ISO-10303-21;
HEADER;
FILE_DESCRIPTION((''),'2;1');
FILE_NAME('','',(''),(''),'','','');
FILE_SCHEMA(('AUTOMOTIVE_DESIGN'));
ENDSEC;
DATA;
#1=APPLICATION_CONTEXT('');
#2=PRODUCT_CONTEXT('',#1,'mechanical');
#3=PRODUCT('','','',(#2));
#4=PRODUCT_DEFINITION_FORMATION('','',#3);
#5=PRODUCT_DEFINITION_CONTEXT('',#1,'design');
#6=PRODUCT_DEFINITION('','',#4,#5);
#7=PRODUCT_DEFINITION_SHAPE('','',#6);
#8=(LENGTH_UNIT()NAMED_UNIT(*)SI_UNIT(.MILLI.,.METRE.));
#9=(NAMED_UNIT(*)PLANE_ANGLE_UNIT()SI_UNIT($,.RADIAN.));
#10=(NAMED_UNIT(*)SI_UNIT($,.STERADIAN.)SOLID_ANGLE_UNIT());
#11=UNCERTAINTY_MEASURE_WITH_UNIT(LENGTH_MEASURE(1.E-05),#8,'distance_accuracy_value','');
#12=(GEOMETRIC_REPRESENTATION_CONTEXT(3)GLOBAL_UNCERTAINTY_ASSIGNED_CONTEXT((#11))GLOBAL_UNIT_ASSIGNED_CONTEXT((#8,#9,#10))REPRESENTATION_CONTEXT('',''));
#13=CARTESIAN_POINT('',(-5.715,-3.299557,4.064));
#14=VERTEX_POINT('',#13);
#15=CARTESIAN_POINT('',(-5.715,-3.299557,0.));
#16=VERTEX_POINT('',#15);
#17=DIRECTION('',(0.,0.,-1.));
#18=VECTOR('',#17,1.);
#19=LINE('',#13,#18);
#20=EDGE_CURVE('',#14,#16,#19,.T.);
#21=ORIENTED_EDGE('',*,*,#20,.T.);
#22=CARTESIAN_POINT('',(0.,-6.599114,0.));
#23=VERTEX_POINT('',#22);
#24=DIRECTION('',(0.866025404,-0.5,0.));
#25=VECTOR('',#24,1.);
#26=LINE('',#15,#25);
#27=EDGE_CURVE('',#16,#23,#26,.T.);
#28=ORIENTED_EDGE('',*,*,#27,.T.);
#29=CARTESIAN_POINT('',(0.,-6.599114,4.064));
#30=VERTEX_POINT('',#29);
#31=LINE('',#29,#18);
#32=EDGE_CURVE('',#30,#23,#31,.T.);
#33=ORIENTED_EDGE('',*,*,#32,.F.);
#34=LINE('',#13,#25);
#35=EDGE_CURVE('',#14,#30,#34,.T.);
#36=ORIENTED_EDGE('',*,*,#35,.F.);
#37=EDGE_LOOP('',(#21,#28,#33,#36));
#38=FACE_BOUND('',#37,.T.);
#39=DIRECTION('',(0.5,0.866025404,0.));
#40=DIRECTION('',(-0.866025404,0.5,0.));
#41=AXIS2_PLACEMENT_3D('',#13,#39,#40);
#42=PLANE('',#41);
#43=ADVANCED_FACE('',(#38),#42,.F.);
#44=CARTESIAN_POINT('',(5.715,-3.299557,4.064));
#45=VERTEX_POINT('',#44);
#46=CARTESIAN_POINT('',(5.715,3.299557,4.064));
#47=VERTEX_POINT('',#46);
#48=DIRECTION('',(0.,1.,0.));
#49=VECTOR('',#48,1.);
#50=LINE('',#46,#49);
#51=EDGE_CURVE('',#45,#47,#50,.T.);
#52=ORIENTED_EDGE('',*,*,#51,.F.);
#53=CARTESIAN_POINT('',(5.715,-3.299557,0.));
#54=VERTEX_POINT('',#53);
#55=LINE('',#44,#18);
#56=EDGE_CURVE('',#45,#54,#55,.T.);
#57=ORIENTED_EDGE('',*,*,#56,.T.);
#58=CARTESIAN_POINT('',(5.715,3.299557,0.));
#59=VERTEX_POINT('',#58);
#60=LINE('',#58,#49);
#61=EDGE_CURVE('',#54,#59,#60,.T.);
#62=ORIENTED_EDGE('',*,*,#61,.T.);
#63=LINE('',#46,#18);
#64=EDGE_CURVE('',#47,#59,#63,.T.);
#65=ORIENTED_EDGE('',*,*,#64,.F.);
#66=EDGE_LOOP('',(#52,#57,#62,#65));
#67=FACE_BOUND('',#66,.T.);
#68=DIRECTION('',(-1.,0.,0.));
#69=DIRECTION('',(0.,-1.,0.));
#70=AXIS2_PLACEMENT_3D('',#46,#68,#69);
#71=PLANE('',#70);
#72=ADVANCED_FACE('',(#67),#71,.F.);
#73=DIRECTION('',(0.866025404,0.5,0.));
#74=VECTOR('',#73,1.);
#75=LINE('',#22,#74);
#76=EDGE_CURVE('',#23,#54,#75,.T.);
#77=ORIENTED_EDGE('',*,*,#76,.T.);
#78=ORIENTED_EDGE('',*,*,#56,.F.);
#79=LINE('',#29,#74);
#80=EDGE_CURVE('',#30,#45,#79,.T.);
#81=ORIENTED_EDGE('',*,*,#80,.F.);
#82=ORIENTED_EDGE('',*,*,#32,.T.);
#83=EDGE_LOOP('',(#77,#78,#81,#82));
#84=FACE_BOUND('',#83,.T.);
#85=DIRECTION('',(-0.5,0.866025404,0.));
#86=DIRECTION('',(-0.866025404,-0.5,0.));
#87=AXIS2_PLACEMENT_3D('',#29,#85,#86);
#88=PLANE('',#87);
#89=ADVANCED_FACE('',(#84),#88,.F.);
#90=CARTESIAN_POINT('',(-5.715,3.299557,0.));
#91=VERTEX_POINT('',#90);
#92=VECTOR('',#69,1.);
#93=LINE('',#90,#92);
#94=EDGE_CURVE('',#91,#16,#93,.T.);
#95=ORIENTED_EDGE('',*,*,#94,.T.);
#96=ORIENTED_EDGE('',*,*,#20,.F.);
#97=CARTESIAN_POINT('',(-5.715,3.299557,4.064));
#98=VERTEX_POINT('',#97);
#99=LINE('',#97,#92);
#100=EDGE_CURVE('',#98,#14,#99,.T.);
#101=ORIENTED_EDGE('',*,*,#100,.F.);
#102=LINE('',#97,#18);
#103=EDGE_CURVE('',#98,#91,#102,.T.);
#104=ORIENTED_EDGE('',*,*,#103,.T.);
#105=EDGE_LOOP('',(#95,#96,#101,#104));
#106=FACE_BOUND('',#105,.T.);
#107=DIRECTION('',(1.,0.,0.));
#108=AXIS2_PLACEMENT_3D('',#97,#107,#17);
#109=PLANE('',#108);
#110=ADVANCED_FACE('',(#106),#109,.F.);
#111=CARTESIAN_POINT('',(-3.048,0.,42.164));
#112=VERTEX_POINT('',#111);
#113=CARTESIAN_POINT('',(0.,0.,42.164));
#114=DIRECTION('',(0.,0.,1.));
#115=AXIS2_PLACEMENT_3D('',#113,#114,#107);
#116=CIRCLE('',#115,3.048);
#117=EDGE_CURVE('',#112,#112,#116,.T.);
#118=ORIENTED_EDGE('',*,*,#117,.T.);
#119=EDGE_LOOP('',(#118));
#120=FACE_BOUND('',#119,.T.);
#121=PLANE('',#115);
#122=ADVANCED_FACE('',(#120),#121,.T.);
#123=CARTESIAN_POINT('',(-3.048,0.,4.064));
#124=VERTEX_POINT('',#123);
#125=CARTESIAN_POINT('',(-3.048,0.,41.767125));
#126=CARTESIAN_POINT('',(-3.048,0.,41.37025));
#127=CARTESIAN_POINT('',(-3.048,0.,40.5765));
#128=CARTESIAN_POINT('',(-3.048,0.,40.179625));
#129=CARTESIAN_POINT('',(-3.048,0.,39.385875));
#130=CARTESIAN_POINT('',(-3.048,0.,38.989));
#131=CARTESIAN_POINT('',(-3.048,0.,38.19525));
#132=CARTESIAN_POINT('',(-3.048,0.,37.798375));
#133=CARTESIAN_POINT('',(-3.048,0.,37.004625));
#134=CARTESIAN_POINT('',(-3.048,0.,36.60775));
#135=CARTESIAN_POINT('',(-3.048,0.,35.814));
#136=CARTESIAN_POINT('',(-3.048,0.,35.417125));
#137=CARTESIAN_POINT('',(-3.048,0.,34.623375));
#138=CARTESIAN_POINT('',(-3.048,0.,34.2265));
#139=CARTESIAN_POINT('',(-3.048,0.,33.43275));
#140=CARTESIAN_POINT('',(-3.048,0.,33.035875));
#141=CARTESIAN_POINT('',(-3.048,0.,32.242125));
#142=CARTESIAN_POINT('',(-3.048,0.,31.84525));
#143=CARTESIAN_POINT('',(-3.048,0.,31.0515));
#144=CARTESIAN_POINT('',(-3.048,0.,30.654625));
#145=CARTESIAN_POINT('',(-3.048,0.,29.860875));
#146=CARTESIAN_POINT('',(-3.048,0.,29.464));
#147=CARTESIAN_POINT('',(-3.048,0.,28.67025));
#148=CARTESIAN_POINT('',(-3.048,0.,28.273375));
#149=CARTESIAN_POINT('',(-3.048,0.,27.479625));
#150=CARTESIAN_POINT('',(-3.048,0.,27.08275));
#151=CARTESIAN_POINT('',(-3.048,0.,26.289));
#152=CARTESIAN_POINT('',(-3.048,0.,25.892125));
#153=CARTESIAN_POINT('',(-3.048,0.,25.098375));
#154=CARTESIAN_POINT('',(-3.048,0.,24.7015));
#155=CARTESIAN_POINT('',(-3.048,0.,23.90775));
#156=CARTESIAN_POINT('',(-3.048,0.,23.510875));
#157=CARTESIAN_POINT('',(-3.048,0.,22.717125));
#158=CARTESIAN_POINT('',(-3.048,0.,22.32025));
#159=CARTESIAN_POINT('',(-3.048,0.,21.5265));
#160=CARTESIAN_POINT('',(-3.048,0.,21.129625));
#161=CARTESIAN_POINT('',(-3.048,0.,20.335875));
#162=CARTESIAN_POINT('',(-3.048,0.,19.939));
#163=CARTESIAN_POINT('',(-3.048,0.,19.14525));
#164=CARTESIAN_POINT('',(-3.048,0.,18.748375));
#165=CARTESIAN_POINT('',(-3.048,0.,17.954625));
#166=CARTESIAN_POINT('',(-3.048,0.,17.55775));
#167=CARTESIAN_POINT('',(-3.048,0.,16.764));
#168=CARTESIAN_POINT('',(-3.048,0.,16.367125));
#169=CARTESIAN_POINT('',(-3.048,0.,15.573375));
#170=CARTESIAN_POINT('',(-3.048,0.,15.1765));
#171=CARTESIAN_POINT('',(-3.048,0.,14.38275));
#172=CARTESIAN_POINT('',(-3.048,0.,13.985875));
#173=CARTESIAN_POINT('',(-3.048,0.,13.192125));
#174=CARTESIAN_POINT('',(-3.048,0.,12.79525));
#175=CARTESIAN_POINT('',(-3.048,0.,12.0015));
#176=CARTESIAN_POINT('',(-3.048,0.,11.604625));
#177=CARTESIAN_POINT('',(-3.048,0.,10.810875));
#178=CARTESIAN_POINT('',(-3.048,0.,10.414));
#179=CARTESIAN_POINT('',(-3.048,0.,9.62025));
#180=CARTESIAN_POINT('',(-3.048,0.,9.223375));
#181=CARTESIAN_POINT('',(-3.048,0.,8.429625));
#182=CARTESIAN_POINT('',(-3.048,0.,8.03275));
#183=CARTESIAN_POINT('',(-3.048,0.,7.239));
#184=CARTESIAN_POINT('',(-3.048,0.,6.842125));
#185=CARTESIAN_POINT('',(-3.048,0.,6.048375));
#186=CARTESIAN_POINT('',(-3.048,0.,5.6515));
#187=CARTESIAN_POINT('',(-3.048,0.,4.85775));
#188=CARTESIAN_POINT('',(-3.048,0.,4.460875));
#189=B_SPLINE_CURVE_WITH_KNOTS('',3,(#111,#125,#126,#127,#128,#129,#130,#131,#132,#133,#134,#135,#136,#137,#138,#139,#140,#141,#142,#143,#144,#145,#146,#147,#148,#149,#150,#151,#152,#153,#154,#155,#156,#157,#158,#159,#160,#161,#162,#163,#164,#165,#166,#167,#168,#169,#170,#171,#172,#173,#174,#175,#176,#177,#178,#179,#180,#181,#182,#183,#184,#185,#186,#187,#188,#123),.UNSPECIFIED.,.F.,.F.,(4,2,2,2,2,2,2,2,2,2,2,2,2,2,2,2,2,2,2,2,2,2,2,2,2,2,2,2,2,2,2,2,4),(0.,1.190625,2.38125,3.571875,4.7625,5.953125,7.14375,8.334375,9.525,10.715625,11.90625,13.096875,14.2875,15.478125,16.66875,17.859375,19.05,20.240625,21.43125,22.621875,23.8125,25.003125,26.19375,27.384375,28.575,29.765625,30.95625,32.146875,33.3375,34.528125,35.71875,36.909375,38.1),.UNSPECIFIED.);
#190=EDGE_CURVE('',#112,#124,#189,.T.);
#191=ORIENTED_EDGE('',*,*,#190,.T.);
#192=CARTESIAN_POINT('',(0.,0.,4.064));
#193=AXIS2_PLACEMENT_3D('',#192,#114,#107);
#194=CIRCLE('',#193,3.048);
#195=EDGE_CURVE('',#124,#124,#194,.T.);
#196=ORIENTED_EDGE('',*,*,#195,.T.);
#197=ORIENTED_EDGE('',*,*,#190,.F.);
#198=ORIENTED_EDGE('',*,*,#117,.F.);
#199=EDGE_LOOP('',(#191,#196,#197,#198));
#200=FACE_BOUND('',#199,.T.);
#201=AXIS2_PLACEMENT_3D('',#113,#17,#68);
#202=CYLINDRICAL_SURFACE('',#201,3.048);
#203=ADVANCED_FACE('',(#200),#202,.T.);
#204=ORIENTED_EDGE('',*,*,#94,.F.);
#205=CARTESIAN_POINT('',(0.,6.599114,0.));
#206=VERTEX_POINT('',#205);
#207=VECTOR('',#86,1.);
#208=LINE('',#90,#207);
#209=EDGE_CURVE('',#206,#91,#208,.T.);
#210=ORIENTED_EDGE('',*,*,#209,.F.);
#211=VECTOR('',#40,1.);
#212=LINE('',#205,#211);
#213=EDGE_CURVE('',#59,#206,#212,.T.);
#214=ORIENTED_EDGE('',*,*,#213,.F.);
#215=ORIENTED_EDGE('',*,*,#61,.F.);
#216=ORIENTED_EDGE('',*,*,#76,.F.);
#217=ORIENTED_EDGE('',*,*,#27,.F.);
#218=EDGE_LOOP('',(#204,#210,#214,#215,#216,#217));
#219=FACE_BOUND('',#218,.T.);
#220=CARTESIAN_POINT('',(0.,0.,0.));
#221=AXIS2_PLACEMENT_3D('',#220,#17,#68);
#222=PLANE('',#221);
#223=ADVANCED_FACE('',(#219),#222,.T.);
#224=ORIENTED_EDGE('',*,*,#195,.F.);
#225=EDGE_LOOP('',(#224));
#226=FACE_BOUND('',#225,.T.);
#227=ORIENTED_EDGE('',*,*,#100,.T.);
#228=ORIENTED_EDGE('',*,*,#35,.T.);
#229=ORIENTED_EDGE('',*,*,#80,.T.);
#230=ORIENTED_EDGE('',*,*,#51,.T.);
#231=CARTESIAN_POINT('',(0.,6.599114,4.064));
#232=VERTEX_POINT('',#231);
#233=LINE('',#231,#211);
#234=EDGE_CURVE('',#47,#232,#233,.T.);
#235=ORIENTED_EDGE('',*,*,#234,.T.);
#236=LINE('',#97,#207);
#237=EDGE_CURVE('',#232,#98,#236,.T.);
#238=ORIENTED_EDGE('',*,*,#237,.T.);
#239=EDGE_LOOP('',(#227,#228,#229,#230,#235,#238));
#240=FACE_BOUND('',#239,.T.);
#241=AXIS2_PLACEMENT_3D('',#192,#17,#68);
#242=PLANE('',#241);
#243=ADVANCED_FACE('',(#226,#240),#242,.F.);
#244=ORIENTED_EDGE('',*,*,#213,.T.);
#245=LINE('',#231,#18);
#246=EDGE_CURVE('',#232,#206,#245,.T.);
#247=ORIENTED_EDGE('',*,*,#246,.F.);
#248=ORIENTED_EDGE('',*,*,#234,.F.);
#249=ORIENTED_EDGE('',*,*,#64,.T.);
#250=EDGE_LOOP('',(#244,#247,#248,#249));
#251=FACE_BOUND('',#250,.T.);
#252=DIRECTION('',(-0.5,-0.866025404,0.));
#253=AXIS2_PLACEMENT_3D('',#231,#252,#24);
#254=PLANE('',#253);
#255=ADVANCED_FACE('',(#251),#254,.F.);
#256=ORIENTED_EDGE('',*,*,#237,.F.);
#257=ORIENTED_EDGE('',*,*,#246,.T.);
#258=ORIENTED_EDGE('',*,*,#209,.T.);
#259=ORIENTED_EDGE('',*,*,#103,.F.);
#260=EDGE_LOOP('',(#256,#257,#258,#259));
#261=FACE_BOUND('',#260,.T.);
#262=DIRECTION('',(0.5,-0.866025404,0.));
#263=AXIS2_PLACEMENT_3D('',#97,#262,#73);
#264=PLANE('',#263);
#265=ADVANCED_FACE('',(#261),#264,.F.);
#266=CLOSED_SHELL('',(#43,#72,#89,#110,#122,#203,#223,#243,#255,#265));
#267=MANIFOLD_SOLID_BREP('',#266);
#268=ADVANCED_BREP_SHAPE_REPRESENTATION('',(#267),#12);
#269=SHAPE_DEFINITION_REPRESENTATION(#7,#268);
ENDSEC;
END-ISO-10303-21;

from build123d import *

# Parameters (mm, degrees)
BOSS_EXTRUDE1_DEPTH = 4.064
SKETCH2_R           = 3.048
BOSS_EXTRUDE2_DEPTH = 38.1


with BuildPart() as part:
    # Sketch1 → Boss-Extrude1 (new body)
    with BuildSketch(Plane.XY):
        Polygon((-5.715, 3.299556788), (-5.715, -3.299556788), (0, -6.599113577), (5.715, -3.299556788), (5.715, 3.299556788), (0, 6.599113577), align=None)
    extrude(amount=BOSS_EXTRUDE1_DEPTH)

    # Sketch2 → Boss-Extrude2 (add)
    with BuildSketch(Plane.XY.offset(4.064)):
        with Locations(Location((0, 0, 0), (0, 0, 180))):
            Circle(SKETCH2_R)
    extrude(amount=BOSS_EXTRUDE2_DEPTH)


solid = part.part
